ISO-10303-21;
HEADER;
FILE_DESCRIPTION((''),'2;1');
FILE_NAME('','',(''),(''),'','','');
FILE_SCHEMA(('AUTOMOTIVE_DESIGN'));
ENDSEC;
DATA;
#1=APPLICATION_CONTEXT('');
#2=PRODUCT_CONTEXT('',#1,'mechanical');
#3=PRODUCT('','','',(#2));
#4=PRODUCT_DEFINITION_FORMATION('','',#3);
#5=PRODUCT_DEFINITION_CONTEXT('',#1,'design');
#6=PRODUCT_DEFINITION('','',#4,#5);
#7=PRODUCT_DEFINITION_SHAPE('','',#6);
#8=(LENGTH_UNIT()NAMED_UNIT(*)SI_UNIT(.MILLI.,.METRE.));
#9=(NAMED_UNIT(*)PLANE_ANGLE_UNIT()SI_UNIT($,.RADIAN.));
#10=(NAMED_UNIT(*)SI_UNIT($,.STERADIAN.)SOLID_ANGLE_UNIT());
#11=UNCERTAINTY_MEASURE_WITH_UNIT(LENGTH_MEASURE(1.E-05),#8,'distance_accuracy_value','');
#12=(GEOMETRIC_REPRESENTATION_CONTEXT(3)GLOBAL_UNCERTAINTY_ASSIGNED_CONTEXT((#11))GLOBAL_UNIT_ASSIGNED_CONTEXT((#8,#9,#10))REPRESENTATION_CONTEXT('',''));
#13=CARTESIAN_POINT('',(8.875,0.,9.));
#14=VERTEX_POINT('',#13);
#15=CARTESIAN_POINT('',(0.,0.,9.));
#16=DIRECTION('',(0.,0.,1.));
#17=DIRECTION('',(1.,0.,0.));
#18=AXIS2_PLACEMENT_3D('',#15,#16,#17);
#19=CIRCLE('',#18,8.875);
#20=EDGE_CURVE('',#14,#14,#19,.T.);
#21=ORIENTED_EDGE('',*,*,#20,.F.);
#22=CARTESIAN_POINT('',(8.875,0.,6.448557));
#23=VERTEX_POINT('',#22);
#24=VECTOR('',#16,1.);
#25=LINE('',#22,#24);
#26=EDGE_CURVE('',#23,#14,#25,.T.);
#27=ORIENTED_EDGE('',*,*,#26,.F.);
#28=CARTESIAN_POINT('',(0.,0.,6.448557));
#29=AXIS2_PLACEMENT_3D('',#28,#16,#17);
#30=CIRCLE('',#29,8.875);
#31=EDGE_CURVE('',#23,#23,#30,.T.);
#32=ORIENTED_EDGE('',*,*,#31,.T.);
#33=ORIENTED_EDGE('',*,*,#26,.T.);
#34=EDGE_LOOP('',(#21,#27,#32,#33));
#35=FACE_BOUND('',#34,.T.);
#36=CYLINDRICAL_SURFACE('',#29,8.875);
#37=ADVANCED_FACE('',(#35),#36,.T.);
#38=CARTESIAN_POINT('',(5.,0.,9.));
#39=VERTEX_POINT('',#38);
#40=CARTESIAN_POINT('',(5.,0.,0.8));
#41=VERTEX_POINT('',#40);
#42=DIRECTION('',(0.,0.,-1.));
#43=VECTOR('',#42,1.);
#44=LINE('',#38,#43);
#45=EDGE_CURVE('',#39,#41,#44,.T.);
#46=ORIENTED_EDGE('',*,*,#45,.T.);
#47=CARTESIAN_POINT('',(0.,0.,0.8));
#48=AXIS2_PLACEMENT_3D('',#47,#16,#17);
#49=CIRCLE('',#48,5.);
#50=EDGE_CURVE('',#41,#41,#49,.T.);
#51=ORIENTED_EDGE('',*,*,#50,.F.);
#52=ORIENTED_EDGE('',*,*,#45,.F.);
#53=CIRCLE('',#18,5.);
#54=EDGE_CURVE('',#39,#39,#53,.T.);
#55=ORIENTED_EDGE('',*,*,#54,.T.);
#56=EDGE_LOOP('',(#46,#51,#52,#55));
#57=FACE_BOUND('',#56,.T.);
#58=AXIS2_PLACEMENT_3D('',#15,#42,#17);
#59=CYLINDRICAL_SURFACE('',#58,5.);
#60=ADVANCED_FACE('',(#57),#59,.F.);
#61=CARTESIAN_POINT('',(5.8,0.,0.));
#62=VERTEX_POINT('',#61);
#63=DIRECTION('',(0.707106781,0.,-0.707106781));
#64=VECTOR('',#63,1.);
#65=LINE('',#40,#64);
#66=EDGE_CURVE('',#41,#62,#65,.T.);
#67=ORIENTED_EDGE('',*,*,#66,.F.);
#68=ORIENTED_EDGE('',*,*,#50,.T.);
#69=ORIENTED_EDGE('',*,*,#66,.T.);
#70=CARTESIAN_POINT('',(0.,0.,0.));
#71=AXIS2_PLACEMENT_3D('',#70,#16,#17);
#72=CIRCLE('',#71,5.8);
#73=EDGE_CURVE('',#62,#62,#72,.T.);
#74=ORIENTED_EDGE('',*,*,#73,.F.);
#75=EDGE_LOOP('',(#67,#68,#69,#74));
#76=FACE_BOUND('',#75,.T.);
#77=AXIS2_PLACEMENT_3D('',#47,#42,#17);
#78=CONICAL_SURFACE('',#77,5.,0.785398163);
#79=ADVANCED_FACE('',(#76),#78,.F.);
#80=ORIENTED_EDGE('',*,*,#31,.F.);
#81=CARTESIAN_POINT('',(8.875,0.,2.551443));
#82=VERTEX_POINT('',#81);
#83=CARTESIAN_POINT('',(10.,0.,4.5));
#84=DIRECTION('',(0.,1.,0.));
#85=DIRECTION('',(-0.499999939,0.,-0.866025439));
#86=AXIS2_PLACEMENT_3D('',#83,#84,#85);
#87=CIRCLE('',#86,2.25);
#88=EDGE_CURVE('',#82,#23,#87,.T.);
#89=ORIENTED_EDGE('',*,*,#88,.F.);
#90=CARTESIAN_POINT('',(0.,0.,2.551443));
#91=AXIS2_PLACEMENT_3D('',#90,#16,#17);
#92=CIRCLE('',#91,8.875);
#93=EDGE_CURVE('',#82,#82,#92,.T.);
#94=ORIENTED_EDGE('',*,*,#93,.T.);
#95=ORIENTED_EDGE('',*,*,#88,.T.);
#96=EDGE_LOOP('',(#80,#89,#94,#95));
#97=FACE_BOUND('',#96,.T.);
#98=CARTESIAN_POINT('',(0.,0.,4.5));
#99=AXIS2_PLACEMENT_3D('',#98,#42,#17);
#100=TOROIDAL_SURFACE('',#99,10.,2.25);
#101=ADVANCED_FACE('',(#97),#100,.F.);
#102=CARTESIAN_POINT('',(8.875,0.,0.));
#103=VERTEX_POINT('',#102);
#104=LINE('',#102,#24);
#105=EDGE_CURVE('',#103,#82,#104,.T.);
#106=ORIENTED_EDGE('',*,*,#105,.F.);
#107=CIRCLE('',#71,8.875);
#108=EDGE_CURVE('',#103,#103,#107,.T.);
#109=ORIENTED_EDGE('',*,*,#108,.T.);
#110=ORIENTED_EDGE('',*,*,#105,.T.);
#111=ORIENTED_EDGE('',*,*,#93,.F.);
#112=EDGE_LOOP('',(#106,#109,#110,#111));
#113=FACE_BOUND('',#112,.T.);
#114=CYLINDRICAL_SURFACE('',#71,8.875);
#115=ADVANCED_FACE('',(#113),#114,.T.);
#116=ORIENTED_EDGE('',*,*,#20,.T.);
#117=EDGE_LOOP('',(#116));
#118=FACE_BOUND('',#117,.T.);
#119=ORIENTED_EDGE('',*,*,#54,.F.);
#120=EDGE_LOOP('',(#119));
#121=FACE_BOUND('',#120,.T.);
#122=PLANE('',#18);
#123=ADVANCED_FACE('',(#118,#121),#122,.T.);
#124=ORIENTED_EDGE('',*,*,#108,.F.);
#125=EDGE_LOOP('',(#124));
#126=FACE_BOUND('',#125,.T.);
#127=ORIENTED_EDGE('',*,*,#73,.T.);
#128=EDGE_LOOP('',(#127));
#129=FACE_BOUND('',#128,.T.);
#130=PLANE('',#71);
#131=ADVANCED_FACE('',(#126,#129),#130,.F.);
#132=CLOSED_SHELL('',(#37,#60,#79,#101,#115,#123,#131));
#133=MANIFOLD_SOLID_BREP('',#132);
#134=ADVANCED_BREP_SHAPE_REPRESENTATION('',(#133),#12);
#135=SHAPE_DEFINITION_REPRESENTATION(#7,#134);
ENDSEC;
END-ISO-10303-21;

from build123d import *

# Parameters (mm, degrees)
F2_SIZE = 0.8


with BuildPart() as f1:
    # F0 (on Front) → F1 (revolve)
    with BuildSketch(Plane.XZ):
        with BuildLine():
            Line((5, 9), (5, 0))
            Line((5, 0), (8.875, 0))
            Line((8.875, 0), (8.875, 2.551443))
            ThreePointArc((8.875, 2.551443), (7.75, 4.5), (8.875, 6.448557))
            Line((8.875, 6.448557), (8.875, 9))
            Line((8.875, 9), (5, 9))
        make_face()
    revolve(axis=Axis((0, 0, 23.187623), (0, 0, 1)))

    # F2
    f2_edges = [f1.edges().sort_by_distance(p)[0] for p in [
        (-5, 0, 0),
    ]]
    chamfer(f2_edges, length=F2_SIZE)


solid = f1.part
